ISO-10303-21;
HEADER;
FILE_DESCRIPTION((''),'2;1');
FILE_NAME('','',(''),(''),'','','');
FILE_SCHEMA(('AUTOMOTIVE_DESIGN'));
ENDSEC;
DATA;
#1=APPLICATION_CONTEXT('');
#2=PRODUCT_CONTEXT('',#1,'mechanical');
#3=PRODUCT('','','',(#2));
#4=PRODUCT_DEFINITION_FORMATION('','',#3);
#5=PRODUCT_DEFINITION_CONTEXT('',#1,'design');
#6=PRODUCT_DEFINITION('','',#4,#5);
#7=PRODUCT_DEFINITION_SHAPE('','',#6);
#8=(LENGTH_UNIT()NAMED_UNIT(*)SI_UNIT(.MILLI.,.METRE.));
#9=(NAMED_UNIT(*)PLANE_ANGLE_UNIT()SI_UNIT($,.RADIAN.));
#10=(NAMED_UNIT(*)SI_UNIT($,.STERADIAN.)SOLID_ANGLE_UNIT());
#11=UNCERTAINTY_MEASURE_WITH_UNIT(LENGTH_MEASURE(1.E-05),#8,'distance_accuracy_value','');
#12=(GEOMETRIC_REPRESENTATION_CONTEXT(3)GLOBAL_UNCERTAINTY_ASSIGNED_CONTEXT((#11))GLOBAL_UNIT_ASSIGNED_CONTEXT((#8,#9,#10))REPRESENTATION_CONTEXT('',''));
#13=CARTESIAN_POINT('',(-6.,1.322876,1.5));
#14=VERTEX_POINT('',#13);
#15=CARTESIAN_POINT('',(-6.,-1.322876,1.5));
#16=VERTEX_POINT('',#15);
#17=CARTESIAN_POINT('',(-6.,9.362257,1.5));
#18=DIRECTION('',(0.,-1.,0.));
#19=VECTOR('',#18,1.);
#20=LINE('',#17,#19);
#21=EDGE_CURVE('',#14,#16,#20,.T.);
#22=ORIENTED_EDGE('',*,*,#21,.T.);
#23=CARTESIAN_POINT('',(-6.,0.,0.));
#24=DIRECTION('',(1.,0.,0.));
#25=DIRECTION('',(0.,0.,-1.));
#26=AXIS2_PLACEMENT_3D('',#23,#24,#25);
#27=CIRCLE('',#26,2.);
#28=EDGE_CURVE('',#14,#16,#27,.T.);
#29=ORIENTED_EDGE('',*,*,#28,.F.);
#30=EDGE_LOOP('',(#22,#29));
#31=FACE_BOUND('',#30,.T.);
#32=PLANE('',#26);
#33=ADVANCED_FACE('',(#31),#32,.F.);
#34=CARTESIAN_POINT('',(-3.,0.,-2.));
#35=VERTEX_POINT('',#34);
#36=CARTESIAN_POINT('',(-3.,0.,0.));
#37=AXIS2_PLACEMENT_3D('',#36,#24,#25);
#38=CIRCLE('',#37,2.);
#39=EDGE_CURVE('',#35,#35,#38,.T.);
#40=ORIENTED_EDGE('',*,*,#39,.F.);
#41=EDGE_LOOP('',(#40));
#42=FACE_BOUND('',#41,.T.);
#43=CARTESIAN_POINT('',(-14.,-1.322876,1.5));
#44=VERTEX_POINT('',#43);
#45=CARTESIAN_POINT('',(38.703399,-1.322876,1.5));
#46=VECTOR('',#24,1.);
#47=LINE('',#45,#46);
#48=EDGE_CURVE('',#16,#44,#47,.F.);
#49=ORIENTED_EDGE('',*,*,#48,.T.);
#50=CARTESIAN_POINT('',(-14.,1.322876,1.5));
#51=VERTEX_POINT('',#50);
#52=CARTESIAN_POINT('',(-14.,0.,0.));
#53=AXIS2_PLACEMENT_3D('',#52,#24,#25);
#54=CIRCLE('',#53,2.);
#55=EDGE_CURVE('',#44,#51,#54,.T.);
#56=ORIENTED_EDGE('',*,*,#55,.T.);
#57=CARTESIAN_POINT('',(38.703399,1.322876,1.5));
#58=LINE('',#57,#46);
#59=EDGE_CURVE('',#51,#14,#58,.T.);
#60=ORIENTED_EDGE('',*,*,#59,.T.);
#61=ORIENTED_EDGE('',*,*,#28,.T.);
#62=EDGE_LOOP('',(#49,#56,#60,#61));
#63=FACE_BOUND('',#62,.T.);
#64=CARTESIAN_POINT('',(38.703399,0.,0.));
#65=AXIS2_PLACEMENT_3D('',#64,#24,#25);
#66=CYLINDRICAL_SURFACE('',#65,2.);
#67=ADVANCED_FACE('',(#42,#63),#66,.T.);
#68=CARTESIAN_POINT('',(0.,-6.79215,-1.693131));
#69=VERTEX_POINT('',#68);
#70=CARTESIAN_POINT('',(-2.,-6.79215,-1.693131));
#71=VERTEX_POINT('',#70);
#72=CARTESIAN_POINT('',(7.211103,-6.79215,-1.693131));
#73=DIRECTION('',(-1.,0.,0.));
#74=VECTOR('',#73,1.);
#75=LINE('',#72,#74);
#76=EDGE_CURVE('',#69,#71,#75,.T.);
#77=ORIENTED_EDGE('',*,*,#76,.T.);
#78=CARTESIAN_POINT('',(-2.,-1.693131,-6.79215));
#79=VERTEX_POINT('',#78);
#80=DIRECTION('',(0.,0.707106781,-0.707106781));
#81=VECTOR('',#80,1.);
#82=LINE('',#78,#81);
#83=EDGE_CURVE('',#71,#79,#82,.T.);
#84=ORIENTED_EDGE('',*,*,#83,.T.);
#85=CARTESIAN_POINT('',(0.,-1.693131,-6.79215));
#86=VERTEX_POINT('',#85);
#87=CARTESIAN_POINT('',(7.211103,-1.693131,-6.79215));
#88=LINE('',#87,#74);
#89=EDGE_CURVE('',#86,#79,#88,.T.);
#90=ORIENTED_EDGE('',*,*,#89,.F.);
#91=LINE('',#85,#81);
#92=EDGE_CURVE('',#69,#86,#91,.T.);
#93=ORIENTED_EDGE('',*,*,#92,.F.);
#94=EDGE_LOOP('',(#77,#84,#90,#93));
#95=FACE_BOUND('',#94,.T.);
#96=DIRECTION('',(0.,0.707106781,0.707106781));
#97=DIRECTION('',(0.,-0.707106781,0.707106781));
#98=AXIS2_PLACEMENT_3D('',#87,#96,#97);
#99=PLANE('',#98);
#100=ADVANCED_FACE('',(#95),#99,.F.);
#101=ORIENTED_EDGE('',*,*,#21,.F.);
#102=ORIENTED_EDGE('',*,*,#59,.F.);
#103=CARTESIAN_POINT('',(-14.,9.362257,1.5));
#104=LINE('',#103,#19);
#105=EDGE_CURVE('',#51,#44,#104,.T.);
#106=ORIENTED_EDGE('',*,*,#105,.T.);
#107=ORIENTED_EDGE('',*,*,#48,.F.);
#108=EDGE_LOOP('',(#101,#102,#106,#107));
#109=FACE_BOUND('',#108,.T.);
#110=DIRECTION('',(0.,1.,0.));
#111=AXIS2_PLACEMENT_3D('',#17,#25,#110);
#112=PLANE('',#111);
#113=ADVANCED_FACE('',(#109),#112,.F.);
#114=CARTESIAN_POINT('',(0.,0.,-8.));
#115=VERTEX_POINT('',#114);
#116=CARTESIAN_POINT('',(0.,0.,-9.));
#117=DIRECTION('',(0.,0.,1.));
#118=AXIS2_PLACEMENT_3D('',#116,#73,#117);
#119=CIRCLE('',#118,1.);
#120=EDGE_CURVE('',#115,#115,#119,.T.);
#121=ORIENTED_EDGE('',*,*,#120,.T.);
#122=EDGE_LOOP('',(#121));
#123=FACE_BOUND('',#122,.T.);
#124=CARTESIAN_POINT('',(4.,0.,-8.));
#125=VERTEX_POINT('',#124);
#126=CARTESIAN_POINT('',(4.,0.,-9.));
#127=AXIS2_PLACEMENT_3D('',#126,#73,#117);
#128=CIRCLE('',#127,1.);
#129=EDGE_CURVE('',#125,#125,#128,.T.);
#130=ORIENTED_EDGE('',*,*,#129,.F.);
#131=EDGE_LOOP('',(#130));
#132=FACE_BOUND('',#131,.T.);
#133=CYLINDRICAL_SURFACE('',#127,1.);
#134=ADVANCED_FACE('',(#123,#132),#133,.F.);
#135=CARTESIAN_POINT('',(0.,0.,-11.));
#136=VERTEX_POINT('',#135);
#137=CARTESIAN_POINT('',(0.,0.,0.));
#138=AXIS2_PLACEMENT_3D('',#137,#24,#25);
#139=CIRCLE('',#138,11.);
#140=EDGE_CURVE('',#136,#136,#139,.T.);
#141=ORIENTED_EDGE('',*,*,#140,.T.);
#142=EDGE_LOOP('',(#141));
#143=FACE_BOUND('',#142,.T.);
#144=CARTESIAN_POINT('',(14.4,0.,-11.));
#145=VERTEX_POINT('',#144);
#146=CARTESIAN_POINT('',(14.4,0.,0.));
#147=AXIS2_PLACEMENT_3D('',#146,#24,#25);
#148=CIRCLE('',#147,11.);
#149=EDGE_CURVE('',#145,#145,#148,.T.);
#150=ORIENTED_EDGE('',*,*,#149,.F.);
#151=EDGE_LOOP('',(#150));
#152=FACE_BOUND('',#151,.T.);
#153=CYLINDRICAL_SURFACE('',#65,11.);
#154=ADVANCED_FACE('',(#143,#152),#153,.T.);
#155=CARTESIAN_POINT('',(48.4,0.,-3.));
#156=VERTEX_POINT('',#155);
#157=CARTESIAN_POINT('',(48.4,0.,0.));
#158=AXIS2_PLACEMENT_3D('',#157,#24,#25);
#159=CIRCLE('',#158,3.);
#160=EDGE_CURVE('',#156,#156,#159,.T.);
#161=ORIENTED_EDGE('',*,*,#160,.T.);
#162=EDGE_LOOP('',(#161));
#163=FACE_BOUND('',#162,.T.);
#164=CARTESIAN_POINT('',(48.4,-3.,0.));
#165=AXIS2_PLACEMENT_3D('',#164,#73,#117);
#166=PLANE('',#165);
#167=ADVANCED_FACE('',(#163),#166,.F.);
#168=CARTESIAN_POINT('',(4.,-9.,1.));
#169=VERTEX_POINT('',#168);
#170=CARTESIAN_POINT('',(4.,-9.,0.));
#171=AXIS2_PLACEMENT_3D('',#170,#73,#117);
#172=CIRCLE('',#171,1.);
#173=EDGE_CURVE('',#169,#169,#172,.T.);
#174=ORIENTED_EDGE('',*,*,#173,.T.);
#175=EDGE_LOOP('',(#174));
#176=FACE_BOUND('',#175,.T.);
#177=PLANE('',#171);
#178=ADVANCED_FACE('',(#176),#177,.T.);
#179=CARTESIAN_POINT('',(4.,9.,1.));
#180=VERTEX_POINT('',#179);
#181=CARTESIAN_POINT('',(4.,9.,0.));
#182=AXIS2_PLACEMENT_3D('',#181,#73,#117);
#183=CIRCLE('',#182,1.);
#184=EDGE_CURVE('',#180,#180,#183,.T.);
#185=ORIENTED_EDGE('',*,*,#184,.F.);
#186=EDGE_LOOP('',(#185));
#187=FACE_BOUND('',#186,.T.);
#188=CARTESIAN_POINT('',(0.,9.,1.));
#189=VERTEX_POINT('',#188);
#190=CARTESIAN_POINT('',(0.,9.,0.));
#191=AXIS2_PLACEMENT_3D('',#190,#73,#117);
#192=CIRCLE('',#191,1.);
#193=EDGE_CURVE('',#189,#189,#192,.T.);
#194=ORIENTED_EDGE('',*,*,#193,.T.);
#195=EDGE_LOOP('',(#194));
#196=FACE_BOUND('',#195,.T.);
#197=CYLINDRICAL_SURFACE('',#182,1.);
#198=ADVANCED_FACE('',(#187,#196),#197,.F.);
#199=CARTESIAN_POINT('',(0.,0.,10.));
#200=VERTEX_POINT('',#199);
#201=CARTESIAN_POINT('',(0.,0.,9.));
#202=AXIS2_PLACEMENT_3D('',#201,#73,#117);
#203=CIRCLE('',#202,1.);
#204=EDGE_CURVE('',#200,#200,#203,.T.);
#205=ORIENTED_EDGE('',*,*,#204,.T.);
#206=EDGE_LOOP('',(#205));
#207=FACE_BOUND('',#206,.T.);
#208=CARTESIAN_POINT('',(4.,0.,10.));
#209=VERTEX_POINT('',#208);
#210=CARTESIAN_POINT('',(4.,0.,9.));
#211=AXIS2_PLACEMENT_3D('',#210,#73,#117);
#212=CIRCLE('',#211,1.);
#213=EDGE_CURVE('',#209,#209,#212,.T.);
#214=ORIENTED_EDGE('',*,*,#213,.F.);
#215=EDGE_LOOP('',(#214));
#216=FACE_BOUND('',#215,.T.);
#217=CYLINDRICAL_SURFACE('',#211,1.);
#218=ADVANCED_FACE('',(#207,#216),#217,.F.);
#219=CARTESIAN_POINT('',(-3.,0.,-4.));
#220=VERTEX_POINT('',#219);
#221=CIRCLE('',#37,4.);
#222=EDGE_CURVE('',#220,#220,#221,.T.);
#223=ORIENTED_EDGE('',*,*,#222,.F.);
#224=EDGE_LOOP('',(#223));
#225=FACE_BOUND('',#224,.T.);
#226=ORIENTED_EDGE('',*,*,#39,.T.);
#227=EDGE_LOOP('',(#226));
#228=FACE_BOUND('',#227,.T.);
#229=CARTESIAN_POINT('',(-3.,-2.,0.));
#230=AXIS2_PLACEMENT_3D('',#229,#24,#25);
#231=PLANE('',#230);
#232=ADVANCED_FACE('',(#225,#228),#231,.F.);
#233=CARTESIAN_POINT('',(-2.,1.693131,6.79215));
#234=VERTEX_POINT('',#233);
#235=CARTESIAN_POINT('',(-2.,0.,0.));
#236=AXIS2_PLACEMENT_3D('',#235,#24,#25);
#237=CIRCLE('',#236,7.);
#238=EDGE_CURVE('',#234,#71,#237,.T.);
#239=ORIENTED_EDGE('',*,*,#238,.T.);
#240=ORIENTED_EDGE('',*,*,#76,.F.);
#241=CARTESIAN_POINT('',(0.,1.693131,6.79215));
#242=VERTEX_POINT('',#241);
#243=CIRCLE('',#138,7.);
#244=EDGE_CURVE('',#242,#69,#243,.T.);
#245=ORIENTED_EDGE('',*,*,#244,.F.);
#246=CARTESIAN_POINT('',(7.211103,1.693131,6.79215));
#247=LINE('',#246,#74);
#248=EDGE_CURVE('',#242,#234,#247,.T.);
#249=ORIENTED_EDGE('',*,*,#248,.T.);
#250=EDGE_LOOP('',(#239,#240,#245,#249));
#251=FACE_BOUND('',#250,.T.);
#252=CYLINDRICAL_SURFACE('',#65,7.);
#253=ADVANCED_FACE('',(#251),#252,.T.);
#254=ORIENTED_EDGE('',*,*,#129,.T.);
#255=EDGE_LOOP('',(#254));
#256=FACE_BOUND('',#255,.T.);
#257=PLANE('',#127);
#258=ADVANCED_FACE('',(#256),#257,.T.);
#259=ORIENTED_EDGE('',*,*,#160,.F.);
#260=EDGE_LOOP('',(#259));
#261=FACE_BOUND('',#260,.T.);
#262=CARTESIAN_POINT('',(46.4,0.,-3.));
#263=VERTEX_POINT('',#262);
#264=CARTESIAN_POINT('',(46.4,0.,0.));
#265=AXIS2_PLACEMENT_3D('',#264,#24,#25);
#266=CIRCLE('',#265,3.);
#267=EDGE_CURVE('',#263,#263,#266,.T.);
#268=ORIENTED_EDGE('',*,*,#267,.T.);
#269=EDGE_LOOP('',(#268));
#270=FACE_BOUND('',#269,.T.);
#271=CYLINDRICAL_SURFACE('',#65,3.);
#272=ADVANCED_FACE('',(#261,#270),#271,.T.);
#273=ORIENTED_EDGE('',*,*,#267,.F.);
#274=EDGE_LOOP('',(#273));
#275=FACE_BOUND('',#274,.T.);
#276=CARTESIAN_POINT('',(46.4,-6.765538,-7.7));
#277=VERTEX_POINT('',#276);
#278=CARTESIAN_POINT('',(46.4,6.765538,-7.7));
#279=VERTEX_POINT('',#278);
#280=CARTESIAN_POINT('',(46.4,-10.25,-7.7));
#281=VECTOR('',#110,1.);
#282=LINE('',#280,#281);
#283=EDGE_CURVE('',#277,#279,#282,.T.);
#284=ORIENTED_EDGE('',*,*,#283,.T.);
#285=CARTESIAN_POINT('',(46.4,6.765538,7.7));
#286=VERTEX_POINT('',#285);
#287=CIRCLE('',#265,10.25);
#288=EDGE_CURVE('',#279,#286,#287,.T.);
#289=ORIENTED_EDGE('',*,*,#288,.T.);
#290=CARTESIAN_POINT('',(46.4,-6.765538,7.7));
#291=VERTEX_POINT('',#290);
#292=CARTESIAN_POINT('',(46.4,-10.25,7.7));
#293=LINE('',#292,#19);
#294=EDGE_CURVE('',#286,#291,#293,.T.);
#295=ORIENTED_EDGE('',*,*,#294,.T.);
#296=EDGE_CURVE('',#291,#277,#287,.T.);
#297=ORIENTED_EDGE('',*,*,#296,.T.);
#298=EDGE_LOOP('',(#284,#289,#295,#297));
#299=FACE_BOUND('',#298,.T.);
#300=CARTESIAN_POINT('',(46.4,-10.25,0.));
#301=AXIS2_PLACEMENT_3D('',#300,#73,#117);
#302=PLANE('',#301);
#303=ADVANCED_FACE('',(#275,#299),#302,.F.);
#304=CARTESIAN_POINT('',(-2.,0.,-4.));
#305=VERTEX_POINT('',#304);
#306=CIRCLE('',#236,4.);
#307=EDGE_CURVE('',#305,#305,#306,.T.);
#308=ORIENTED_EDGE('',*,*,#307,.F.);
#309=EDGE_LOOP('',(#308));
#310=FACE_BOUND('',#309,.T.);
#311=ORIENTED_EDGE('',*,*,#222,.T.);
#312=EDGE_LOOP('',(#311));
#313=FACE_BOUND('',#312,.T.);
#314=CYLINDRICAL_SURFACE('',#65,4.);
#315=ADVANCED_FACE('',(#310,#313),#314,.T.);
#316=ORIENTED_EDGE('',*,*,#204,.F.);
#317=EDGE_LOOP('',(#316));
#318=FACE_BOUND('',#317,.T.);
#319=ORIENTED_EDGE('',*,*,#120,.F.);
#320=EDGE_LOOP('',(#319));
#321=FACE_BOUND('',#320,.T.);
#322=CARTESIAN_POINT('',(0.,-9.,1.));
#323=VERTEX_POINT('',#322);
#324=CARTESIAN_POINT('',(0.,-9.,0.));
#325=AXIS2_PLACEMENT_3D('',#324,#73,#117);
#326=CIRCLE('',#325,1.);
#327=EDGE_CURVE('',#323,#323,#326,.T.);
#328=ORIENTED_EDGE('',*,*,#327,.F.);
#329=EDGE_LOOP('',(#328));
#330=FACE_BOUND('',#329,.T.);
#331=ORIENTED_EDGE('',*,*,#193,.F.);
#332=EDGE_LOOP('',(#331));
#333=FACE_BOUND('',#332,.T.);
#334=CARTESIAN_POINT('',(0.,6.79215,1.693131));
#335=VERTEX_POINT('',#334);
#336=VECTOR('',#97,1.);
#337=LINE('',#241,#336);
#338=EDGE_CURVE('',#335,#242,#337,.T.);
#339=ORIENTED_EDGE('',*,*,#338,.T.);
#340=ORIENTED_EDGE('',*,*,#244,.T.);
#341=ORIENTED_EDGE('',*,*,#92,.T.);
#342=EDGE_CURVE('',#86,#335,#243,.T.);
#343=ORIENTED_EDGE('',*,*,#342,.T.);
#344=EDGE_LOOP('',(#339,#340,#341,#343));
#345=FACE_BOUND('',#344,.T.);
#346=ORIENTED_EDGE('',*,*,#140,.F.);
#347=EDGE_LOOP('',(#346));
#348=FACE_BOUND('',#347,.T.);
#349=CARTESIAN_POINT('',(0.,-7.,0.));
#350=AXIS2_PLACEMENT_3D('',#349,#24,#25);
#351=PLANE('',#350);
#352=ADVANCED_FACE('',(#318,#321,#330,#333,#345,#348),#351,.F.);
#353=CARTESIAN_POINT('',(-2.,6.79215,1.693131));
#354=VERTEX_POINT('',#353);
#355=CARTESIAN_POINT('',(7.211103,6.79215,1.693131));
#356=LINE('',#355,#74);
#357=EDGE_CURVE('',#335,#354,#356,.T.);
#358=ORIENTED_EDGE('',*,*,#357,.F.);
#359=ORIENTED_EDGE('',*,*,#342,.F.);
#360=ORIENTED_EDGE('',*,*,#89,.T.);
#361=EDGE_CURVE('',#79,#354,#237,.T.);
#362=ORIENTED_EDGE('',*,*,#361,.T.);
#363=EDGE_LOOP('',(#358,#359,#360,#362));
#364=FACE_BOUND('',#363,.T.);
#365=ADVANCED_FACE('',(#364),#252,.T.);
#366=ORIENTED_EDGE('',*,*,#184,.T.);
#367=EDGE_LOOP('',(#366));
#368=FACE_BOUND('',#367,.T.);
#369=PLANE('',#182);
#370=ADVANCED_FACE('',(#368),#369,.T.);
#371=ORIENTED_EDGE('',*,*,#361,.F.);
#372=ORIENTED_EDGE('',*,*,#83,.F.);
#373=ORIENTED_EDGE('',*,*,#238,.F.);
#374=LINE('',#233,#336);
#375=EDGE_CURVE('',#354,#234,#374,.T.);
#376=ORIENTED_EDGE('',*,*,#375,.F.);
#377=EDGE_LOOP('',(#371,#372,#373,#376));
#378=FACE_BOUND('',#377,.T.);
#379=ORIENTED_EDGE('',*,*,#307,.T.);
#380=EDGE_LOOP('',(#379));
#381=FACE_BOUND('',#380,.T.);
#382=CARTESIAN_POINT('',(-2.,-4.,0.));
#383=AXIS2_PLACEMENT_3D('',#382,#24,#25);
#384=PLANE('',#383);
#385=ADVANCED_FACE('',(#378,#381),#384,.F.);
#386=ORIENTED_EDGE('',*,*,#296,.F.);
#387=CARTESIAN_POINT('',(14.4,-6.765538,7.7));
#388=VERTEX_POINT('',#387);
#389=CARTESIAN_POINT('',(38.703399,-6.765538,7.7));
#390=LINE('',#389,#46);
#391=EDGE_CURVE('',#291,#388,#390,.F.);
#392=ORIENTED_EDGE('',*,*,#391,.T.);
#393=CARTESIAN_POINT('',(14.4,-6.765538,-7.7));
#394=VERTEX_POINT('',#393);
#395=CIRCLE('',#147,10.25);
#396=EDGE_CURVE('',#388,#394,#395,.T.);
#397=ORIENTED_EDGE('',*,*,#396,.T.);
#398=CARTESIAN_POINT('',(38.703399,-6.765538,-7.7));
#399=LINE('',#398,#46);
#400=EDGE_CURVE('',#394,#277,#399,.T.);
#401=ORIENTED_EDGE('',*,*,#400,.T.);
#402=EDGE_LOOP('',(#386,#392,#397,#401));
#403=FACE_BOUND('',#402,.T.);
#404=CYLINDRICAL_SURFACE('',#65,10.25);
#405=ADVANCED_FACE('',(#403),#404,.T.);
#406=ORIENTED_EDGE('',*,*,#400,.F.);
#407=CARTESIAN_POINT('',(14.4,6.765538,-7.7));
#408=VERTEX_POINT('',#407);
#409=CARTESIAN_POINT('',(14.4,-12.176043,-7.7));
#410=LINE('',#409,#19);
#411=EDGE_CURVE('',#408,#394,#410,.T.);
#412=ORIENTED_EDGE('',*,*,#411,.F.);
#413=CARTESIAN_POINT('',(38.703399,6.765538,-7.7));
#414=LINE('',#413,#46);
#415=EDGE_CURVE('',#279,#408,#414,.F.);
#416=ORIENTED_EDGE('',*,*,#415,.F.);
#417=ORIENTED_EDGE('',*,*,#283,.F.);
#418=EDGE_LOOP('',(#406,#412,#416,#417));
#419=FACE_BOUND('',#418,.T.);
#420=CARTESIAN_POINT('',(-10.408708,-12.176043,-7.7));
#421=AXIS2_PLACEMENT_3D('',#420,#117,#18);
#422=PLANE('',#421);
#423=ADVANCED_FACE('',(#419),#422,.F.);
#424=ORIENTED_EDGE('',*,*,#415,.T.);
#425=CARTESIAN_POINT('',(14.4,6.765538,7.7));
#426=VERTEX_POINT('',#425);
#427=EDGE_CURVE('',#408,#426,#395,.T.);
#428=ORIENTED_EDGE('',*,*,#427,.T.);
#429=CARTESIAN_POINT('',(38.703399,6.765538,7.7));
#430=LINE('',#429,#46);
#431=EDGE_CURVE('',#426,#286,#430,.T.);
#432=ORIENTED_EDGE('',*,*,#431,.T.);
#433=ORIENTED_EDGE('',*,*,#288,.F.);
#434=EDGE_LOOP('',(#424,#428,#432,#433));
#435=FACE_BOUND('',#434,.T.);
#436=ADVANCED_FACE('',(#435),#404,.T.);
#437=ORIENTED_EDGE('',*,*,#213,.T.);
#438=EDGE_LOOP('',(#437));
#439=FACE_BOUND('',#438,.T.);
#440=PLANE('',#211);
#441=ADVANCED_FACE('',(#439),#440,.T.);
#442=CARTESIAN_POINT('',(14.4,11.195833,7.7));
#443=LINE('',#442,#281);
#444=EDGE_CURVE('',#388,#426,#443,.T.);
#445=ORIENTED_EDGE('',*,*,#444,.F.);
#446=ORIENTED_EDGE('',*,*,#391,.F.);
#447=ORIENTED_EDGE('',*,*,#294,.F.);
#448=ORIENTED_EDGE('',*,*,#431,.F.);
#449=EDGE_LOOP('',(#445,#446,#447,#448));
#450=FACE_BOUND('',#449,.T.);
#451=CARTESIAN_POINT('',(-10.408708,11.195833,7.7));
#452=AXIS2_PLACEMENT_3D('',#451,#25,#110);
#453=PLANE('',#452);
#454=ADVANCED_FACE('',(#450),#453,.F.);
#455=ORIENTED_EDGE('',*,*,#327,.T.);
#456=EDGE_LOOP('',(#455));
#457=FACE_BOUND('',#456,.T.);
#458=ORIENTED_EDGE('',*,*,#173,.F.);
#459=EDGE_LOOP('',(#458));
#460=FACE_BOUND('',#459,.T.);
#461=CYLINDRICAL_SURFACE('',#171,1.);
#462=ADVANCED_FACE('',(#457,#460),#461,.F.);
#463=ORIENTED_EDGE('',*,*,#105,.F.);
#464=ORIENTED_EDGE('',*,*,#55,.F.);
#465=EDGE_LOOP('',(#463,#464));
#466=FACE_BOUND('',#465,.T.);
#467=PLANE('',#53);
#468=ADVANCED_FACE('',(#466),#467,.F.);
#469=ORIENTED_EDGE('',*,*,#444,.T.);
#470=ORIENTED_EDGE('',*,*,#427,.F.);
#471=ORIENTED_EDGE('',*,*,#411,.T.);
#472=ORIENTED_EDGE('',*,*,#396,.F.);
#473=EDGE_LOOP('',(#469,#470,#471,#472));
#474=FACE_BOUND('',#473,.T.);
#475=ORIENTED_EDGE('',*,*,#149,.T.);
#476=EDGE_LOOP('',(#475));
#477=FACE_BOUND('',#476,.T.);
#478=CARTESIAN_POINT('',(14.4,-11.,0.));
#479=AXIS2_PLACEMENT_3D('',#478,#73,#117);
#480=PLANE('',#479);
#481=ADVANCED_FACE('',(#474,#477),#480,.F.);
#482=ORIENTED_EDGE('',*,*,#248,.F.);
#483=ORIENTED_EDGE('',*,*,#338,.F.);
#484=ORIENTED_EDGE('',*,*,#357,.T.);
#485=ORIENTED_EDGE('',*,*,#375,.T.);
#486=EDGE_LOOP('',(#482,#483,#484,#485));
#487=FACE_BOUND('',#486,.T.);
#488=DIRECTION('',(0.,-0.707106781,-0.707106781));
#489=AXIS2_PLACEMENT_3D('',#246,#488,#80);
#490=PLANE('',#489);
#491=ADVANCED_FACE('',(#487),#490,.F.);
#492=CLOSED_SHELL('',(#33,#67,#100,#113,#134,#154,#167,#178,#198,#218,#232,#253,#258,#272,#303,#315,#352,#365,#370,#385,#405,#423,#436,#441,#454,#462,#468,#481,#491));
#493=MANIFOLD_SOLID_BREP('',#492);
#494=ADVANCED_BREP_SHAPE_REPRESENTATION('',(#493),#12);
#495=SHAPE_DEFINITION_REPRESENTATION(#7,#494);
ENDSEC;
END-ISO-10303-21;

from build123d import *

# Parameters (mm, degrees)
ESQUISSE2_W             = 8.320302529
ESQUISSE2_H             = 23.371875391
ESQUISSE2_W_2           = 7.922092332
ENL_V_MAT_EXTRU_1_DEPTH = 32
ENL_V_START             = -2
ENL_V_MAT_EXTRU_2_DEPTH = 2
ESQUISSE4_R             = 1
ENL_V_MAT_EXTRU_3_DEPTH = 4
ESQUISSE5_W             = 12.730996015
ESQUISSE5_H             = 15.162705394
ENL_V_MAT_EXTRU_4_DEPTH = 8


with BuildPart() as part:
    # Esquisse1 → Révolution1 (revolve)
    with BuildSketch(Plane.XY, mode=Mode.PRIVATE) as r_volution1_sk:
        Polygon((-14, 0), (-14, -2), (-3, -2), (-3, -4), (-2, -4), (-2, -7), (0, -7), (0, -11), (14.4, -11), (14.4, -10.25), (46.4, -10.25), (46.4, -3), (48.4, -3), (48.4, 0), align=None)
    revolve(r_volution1_sk.sketch.rotate(Axis((38.703399471, 0, 0), (-1, 0, 0)), 270), axis=Axis((38.703399471, 0, 0), (-1, 0, 0)))

    # Esquisse2 → Enlèv. mat.-Extru.1 (cut)
    with BuildSketch(Plane(origin=(46.4, 0, 0), x_dir=(0, 0, -1), z_dir=(1, 0, 0))):
        with Locations((-11.860151265, -0.490104857)):
            Rectangle(ESQUISSE2_W, ESQUISSE2_H)
        with Locations((11.661046166, -0.490104857)):
            Rectangle(ESQUISSE2_W_2, ESQUISSE2_H)
    extrude(amount=-ENL_V_MAT_EXTRU_1_DEPTH, mode=Mode.SUBTRACT)

    # Esquisse3 → Enlèv. mat.-Extru.2 (cut)
    with BuildSketch(Plane.ZY.offset(2).offset(ENL_V_START)):
        with BuildLine():
            Line((6.792150444, 1.69313093), (1.69313093, 6.792150444))
            ThreePointArc((1.69313093, 6.792150444), (4.949747468, 4.949747468), (6.792150444, 1.69313093))
        make_face()
        with BuildLine():
            Line((-6.792150444, -1.69313093), (-1.69313093, -6.792150444))
            ThreePointArc((-1.69313093, -6.792150444), (-4.949747468, -4.949747468), (-6.792150444, -1.69313093))
        make_face()
    extrude(amount=ENL_V_MAT_EXTRU_2_DEPTH, mode=Mode.SUBTRACT)

    # Esquisse4 → Enlèv. mat.-Extru.3 (cut)
    with BuildSketch(Plane.ZY):
        with Locations((0, 9)):
            Circle(ESQUISSE4_R)
        with Locations((-9, 0)):
            Circle(ESQUISSE4_R)
        with Locations((0, -9)):
            Circle(ESQUISSE4_R)
        with Locations((9, 0)):
            Circle(ESQUISSE4_R)
    extrude(amount=-ENL_V_MAT_EXTRU_3_DEPTH, mode=Mode.SUBTRACT)

    # Esquisse5 → Enlèv. mat.-Extru.4 (cut)
    with BuildSketch(Plane.ZY.offset(14)):
        with Locations((7.865498008, 1.780904513)):
            Rectangle(ESQUISSE5_W, ESQUISSE5_H)
    extrude(amount=-ENL_V_MAT_EXTRU_4_DEPTH, mode=Mode.SUBTRACT)


solid = part.part
